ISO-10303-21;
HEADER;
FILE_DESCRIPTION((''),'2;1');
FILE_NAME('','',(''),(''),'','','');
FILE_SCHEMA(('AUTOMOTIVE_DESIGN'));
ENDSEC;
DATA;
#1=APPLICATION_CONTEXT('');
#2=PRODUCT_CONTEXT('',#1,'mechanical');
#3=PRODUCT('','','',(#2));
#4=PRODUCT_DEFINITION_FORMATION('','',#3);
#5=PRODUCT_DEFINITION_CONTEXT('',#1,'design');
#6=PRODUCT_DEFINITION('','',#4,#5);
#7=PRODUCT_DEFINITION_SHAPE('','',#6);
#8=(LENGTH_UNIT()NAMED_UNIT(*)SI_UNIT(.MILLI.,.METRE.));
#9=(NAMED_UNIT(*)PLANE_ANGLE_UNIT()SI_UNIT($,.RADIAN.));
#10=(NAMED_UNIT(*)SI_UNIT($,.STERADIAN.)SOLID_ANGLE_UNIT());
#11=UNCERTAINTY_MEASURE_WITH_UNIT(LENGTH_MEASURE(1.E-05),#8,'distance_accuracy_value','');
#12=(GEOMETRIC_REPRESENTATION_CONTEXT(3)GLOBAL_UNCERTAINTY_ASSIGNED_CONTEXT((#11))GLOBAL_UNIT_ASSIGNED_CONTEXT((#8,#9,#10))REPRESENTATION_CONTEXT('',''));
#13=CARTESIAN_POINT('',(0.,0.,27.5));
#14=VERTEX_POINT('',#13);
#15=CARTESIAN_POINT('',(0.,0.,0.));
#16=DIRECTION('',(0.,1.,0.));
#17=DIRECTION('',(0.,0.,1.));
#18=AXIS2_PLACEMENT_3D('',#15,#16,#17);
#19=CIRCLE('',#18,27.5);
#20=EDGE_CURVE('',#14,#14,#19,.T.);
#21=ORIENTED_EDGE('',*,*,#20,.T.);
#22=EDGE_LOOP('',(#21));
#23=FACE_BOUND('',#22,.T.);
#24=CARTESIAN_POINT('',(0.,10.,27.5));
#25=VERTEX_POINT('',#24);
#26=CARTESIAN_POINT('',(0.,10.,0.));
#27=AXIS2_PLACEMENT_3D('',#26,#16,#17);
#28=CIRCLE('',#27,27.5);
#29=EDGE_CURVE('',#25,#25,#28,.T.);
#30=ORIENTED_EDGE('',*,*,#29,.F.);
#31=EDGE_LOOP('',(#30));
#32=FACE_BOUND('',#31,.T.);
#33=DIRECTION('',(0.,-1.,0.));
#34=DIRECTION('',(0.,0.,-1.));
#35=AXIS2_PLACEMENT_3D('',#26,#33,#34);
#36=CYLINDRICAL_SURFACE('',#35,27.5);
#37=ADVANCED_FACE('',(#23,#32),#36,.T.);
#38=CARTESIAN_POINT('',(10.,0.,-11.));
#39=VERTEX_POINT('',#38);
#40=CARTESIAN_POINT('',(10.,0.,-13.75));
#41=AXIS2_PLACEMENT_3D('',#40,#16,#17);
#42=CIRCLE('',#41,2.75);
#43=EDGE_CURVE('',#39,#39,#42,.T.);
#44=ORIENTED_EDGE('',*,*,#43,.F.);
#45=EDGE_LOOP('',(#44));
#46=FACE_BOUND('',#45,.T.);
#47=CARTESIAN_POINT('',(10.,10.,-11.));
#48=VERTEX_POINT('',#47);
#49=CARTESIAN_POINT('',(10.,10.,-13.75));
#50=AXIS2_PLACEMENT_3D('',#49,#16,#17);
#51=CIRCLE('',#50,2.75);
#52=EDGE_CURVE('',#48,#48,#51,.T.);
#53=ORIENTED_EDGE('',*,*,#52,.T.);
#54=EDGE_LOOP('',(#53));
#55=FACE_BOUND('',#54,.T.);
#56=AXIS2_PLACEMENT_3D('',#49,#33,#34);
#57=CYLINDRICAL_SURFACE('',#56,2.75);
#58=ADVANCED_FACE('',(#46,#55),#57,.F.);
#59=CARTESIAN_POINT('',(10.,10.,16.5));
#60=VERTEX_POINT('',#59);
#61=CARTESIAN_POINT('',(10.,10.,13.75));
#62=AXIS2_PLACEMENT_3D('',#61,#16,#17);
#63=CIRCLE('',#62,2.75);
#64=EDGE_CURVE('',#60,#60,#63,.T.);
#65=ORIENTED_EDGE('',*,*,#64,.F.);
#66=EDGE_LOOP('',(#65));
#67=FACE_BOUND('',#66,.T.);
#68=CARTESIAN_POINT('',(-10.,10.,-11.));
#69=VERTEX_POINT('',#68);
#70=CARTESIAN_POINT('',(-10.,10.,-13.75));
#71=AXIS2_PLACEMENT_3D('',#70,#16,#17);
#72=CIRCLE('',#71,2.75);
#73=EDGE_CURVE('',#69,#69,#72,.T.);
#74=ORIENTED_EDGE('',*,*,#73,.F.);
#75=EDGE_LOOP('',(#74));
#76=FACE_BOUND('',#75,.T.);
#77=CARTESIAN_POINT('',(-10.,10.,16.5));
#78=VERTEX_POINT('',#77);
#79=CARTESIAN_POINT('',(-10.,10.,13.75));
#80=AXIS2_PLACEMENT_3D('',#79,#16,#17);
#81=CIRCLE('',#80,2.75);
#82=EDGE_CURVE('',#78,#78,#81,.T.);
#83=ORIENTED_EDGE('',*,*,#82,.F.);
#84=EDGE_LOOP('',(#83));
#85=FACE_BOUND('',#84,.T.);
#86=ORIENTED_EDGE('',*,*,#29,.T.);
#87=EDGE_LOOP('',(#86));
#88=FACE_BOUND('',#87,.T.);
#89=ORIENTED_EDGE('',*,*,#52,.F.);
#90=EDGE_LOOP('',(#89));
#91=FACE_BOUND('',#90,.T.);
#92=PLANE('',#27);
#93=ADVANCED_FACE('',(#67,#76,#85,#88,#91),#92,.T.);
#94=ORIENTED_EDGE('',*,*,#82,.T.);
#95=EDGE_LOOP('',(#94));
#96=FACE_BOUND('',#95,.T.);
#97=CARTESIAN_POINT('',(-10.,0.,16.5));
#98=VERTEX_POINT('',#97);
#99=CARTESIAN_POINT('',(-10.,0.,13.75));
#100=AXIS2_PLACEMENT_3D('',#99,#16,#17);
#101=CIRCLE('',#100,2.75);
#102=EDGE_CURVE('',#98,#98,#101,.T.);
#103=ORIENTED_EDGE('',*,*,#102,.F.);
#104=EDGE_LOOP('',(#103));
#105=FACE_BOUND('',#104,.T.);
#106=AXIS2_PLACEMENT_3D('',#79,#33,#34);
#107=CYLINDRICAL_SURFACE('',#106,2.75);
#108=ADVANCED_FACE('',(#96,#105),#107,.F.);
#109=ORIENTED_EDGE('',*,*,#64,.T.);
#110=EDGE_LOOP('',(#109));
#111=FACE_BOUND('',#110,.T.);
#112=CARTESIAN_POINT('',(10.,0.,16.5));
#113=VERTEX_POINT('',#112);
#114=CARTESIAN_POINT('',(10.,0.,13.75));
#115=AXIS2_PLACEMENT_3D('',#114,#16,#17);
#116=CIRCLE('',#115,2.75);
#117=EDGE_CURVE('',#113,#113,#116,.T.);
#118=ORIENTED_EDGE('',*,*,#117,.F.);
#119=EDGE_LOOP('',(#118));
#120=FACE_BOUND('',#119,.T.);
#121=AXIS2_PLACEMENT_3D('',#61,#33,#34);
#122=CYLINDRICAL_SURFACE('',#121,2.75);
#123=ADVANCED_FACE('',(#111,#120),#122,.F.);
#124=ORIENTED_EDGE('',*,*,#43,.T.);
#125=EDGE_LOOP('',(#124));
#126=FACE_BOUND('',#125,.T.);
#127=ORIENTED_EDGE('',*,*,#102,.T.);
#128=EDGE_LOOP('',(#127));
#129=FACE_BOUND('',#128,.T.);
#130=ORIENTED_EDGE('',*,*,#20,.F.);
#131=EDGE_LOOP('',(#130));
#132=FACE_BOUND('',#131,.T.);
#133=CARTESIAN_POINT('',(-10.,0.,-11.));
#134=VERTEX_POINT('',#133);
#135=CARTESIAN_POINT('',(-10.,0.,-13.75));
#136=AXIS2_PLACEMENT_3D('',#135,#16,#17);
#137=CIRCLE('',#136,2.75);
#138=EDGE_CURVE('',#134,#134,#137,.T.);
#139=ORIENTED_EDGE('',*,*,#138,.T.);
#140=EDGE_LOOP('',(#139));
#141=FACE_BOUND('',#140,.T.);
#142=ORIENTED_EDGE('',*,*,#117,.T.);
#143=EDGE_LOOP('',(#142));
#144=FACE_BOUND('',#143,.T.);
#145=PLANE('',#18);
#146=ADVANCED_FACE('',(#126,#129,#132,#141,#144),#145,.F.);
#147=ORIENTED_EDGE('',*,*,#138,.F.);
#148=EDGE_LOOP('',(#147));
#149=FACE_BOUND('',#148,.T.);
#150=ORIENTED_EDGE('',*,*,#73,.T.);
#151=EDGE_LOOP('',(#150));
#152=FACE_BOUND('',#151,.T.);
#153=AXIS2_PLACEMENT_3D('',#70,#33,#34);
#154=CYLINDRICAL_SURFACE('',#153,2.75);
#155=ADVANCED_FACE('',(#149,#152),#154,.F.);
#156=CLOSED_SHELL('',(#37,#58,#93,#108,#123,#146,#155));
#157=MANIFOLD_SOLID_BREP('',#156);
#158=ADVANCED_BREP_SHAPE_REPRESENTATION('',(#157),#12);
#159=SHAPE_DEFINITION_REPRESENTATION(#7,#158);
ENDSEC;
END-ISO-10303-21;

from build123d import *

# Parameters (mm, degrees)
SKETCH1_R           = 27.5
SKETCH1_R_2         = 2.75
BOSS_EXTRUDE1_DEPTH = 10


with BuildPart() as part:
    # Sketch1 → Boss-Extrude1 (new body)
    with BuildSketch(Plane(origin=(0, 0, 0), x_dir=(1, 0, 0), z_dir=(0, 1, 0))):
        with Locations(Location((0, 0, 0), (0, 0, 270))):
            Circle(SKETCH1_R)
        with Locations(Location((-10, 13.75, 0), (0, 0, 270))):
            Circle(SKETCH1_R_2, mode=Mode.SUBTRACT)
        with Locations(Location((10, 13.75, 0), (0, 0, 270))):
            Circle(SKETCH1_R_2, mode=Mode.SUBTRACT)
        with Locations(Location((10, -13.75, 0), (0, 0, 270))):
            Circle(SKETCH1_R_2, mode=Mode.SUBTRACT)
        with Locations(Location((-10, -13.75, 0), (0, 0, 270))):
            Circle(SKETCH1_R_2, mode=Mode.SUBTRACT)
    extrude(amount=BOSS_EXTRUDE1_DEPTH)


solid = part.part
